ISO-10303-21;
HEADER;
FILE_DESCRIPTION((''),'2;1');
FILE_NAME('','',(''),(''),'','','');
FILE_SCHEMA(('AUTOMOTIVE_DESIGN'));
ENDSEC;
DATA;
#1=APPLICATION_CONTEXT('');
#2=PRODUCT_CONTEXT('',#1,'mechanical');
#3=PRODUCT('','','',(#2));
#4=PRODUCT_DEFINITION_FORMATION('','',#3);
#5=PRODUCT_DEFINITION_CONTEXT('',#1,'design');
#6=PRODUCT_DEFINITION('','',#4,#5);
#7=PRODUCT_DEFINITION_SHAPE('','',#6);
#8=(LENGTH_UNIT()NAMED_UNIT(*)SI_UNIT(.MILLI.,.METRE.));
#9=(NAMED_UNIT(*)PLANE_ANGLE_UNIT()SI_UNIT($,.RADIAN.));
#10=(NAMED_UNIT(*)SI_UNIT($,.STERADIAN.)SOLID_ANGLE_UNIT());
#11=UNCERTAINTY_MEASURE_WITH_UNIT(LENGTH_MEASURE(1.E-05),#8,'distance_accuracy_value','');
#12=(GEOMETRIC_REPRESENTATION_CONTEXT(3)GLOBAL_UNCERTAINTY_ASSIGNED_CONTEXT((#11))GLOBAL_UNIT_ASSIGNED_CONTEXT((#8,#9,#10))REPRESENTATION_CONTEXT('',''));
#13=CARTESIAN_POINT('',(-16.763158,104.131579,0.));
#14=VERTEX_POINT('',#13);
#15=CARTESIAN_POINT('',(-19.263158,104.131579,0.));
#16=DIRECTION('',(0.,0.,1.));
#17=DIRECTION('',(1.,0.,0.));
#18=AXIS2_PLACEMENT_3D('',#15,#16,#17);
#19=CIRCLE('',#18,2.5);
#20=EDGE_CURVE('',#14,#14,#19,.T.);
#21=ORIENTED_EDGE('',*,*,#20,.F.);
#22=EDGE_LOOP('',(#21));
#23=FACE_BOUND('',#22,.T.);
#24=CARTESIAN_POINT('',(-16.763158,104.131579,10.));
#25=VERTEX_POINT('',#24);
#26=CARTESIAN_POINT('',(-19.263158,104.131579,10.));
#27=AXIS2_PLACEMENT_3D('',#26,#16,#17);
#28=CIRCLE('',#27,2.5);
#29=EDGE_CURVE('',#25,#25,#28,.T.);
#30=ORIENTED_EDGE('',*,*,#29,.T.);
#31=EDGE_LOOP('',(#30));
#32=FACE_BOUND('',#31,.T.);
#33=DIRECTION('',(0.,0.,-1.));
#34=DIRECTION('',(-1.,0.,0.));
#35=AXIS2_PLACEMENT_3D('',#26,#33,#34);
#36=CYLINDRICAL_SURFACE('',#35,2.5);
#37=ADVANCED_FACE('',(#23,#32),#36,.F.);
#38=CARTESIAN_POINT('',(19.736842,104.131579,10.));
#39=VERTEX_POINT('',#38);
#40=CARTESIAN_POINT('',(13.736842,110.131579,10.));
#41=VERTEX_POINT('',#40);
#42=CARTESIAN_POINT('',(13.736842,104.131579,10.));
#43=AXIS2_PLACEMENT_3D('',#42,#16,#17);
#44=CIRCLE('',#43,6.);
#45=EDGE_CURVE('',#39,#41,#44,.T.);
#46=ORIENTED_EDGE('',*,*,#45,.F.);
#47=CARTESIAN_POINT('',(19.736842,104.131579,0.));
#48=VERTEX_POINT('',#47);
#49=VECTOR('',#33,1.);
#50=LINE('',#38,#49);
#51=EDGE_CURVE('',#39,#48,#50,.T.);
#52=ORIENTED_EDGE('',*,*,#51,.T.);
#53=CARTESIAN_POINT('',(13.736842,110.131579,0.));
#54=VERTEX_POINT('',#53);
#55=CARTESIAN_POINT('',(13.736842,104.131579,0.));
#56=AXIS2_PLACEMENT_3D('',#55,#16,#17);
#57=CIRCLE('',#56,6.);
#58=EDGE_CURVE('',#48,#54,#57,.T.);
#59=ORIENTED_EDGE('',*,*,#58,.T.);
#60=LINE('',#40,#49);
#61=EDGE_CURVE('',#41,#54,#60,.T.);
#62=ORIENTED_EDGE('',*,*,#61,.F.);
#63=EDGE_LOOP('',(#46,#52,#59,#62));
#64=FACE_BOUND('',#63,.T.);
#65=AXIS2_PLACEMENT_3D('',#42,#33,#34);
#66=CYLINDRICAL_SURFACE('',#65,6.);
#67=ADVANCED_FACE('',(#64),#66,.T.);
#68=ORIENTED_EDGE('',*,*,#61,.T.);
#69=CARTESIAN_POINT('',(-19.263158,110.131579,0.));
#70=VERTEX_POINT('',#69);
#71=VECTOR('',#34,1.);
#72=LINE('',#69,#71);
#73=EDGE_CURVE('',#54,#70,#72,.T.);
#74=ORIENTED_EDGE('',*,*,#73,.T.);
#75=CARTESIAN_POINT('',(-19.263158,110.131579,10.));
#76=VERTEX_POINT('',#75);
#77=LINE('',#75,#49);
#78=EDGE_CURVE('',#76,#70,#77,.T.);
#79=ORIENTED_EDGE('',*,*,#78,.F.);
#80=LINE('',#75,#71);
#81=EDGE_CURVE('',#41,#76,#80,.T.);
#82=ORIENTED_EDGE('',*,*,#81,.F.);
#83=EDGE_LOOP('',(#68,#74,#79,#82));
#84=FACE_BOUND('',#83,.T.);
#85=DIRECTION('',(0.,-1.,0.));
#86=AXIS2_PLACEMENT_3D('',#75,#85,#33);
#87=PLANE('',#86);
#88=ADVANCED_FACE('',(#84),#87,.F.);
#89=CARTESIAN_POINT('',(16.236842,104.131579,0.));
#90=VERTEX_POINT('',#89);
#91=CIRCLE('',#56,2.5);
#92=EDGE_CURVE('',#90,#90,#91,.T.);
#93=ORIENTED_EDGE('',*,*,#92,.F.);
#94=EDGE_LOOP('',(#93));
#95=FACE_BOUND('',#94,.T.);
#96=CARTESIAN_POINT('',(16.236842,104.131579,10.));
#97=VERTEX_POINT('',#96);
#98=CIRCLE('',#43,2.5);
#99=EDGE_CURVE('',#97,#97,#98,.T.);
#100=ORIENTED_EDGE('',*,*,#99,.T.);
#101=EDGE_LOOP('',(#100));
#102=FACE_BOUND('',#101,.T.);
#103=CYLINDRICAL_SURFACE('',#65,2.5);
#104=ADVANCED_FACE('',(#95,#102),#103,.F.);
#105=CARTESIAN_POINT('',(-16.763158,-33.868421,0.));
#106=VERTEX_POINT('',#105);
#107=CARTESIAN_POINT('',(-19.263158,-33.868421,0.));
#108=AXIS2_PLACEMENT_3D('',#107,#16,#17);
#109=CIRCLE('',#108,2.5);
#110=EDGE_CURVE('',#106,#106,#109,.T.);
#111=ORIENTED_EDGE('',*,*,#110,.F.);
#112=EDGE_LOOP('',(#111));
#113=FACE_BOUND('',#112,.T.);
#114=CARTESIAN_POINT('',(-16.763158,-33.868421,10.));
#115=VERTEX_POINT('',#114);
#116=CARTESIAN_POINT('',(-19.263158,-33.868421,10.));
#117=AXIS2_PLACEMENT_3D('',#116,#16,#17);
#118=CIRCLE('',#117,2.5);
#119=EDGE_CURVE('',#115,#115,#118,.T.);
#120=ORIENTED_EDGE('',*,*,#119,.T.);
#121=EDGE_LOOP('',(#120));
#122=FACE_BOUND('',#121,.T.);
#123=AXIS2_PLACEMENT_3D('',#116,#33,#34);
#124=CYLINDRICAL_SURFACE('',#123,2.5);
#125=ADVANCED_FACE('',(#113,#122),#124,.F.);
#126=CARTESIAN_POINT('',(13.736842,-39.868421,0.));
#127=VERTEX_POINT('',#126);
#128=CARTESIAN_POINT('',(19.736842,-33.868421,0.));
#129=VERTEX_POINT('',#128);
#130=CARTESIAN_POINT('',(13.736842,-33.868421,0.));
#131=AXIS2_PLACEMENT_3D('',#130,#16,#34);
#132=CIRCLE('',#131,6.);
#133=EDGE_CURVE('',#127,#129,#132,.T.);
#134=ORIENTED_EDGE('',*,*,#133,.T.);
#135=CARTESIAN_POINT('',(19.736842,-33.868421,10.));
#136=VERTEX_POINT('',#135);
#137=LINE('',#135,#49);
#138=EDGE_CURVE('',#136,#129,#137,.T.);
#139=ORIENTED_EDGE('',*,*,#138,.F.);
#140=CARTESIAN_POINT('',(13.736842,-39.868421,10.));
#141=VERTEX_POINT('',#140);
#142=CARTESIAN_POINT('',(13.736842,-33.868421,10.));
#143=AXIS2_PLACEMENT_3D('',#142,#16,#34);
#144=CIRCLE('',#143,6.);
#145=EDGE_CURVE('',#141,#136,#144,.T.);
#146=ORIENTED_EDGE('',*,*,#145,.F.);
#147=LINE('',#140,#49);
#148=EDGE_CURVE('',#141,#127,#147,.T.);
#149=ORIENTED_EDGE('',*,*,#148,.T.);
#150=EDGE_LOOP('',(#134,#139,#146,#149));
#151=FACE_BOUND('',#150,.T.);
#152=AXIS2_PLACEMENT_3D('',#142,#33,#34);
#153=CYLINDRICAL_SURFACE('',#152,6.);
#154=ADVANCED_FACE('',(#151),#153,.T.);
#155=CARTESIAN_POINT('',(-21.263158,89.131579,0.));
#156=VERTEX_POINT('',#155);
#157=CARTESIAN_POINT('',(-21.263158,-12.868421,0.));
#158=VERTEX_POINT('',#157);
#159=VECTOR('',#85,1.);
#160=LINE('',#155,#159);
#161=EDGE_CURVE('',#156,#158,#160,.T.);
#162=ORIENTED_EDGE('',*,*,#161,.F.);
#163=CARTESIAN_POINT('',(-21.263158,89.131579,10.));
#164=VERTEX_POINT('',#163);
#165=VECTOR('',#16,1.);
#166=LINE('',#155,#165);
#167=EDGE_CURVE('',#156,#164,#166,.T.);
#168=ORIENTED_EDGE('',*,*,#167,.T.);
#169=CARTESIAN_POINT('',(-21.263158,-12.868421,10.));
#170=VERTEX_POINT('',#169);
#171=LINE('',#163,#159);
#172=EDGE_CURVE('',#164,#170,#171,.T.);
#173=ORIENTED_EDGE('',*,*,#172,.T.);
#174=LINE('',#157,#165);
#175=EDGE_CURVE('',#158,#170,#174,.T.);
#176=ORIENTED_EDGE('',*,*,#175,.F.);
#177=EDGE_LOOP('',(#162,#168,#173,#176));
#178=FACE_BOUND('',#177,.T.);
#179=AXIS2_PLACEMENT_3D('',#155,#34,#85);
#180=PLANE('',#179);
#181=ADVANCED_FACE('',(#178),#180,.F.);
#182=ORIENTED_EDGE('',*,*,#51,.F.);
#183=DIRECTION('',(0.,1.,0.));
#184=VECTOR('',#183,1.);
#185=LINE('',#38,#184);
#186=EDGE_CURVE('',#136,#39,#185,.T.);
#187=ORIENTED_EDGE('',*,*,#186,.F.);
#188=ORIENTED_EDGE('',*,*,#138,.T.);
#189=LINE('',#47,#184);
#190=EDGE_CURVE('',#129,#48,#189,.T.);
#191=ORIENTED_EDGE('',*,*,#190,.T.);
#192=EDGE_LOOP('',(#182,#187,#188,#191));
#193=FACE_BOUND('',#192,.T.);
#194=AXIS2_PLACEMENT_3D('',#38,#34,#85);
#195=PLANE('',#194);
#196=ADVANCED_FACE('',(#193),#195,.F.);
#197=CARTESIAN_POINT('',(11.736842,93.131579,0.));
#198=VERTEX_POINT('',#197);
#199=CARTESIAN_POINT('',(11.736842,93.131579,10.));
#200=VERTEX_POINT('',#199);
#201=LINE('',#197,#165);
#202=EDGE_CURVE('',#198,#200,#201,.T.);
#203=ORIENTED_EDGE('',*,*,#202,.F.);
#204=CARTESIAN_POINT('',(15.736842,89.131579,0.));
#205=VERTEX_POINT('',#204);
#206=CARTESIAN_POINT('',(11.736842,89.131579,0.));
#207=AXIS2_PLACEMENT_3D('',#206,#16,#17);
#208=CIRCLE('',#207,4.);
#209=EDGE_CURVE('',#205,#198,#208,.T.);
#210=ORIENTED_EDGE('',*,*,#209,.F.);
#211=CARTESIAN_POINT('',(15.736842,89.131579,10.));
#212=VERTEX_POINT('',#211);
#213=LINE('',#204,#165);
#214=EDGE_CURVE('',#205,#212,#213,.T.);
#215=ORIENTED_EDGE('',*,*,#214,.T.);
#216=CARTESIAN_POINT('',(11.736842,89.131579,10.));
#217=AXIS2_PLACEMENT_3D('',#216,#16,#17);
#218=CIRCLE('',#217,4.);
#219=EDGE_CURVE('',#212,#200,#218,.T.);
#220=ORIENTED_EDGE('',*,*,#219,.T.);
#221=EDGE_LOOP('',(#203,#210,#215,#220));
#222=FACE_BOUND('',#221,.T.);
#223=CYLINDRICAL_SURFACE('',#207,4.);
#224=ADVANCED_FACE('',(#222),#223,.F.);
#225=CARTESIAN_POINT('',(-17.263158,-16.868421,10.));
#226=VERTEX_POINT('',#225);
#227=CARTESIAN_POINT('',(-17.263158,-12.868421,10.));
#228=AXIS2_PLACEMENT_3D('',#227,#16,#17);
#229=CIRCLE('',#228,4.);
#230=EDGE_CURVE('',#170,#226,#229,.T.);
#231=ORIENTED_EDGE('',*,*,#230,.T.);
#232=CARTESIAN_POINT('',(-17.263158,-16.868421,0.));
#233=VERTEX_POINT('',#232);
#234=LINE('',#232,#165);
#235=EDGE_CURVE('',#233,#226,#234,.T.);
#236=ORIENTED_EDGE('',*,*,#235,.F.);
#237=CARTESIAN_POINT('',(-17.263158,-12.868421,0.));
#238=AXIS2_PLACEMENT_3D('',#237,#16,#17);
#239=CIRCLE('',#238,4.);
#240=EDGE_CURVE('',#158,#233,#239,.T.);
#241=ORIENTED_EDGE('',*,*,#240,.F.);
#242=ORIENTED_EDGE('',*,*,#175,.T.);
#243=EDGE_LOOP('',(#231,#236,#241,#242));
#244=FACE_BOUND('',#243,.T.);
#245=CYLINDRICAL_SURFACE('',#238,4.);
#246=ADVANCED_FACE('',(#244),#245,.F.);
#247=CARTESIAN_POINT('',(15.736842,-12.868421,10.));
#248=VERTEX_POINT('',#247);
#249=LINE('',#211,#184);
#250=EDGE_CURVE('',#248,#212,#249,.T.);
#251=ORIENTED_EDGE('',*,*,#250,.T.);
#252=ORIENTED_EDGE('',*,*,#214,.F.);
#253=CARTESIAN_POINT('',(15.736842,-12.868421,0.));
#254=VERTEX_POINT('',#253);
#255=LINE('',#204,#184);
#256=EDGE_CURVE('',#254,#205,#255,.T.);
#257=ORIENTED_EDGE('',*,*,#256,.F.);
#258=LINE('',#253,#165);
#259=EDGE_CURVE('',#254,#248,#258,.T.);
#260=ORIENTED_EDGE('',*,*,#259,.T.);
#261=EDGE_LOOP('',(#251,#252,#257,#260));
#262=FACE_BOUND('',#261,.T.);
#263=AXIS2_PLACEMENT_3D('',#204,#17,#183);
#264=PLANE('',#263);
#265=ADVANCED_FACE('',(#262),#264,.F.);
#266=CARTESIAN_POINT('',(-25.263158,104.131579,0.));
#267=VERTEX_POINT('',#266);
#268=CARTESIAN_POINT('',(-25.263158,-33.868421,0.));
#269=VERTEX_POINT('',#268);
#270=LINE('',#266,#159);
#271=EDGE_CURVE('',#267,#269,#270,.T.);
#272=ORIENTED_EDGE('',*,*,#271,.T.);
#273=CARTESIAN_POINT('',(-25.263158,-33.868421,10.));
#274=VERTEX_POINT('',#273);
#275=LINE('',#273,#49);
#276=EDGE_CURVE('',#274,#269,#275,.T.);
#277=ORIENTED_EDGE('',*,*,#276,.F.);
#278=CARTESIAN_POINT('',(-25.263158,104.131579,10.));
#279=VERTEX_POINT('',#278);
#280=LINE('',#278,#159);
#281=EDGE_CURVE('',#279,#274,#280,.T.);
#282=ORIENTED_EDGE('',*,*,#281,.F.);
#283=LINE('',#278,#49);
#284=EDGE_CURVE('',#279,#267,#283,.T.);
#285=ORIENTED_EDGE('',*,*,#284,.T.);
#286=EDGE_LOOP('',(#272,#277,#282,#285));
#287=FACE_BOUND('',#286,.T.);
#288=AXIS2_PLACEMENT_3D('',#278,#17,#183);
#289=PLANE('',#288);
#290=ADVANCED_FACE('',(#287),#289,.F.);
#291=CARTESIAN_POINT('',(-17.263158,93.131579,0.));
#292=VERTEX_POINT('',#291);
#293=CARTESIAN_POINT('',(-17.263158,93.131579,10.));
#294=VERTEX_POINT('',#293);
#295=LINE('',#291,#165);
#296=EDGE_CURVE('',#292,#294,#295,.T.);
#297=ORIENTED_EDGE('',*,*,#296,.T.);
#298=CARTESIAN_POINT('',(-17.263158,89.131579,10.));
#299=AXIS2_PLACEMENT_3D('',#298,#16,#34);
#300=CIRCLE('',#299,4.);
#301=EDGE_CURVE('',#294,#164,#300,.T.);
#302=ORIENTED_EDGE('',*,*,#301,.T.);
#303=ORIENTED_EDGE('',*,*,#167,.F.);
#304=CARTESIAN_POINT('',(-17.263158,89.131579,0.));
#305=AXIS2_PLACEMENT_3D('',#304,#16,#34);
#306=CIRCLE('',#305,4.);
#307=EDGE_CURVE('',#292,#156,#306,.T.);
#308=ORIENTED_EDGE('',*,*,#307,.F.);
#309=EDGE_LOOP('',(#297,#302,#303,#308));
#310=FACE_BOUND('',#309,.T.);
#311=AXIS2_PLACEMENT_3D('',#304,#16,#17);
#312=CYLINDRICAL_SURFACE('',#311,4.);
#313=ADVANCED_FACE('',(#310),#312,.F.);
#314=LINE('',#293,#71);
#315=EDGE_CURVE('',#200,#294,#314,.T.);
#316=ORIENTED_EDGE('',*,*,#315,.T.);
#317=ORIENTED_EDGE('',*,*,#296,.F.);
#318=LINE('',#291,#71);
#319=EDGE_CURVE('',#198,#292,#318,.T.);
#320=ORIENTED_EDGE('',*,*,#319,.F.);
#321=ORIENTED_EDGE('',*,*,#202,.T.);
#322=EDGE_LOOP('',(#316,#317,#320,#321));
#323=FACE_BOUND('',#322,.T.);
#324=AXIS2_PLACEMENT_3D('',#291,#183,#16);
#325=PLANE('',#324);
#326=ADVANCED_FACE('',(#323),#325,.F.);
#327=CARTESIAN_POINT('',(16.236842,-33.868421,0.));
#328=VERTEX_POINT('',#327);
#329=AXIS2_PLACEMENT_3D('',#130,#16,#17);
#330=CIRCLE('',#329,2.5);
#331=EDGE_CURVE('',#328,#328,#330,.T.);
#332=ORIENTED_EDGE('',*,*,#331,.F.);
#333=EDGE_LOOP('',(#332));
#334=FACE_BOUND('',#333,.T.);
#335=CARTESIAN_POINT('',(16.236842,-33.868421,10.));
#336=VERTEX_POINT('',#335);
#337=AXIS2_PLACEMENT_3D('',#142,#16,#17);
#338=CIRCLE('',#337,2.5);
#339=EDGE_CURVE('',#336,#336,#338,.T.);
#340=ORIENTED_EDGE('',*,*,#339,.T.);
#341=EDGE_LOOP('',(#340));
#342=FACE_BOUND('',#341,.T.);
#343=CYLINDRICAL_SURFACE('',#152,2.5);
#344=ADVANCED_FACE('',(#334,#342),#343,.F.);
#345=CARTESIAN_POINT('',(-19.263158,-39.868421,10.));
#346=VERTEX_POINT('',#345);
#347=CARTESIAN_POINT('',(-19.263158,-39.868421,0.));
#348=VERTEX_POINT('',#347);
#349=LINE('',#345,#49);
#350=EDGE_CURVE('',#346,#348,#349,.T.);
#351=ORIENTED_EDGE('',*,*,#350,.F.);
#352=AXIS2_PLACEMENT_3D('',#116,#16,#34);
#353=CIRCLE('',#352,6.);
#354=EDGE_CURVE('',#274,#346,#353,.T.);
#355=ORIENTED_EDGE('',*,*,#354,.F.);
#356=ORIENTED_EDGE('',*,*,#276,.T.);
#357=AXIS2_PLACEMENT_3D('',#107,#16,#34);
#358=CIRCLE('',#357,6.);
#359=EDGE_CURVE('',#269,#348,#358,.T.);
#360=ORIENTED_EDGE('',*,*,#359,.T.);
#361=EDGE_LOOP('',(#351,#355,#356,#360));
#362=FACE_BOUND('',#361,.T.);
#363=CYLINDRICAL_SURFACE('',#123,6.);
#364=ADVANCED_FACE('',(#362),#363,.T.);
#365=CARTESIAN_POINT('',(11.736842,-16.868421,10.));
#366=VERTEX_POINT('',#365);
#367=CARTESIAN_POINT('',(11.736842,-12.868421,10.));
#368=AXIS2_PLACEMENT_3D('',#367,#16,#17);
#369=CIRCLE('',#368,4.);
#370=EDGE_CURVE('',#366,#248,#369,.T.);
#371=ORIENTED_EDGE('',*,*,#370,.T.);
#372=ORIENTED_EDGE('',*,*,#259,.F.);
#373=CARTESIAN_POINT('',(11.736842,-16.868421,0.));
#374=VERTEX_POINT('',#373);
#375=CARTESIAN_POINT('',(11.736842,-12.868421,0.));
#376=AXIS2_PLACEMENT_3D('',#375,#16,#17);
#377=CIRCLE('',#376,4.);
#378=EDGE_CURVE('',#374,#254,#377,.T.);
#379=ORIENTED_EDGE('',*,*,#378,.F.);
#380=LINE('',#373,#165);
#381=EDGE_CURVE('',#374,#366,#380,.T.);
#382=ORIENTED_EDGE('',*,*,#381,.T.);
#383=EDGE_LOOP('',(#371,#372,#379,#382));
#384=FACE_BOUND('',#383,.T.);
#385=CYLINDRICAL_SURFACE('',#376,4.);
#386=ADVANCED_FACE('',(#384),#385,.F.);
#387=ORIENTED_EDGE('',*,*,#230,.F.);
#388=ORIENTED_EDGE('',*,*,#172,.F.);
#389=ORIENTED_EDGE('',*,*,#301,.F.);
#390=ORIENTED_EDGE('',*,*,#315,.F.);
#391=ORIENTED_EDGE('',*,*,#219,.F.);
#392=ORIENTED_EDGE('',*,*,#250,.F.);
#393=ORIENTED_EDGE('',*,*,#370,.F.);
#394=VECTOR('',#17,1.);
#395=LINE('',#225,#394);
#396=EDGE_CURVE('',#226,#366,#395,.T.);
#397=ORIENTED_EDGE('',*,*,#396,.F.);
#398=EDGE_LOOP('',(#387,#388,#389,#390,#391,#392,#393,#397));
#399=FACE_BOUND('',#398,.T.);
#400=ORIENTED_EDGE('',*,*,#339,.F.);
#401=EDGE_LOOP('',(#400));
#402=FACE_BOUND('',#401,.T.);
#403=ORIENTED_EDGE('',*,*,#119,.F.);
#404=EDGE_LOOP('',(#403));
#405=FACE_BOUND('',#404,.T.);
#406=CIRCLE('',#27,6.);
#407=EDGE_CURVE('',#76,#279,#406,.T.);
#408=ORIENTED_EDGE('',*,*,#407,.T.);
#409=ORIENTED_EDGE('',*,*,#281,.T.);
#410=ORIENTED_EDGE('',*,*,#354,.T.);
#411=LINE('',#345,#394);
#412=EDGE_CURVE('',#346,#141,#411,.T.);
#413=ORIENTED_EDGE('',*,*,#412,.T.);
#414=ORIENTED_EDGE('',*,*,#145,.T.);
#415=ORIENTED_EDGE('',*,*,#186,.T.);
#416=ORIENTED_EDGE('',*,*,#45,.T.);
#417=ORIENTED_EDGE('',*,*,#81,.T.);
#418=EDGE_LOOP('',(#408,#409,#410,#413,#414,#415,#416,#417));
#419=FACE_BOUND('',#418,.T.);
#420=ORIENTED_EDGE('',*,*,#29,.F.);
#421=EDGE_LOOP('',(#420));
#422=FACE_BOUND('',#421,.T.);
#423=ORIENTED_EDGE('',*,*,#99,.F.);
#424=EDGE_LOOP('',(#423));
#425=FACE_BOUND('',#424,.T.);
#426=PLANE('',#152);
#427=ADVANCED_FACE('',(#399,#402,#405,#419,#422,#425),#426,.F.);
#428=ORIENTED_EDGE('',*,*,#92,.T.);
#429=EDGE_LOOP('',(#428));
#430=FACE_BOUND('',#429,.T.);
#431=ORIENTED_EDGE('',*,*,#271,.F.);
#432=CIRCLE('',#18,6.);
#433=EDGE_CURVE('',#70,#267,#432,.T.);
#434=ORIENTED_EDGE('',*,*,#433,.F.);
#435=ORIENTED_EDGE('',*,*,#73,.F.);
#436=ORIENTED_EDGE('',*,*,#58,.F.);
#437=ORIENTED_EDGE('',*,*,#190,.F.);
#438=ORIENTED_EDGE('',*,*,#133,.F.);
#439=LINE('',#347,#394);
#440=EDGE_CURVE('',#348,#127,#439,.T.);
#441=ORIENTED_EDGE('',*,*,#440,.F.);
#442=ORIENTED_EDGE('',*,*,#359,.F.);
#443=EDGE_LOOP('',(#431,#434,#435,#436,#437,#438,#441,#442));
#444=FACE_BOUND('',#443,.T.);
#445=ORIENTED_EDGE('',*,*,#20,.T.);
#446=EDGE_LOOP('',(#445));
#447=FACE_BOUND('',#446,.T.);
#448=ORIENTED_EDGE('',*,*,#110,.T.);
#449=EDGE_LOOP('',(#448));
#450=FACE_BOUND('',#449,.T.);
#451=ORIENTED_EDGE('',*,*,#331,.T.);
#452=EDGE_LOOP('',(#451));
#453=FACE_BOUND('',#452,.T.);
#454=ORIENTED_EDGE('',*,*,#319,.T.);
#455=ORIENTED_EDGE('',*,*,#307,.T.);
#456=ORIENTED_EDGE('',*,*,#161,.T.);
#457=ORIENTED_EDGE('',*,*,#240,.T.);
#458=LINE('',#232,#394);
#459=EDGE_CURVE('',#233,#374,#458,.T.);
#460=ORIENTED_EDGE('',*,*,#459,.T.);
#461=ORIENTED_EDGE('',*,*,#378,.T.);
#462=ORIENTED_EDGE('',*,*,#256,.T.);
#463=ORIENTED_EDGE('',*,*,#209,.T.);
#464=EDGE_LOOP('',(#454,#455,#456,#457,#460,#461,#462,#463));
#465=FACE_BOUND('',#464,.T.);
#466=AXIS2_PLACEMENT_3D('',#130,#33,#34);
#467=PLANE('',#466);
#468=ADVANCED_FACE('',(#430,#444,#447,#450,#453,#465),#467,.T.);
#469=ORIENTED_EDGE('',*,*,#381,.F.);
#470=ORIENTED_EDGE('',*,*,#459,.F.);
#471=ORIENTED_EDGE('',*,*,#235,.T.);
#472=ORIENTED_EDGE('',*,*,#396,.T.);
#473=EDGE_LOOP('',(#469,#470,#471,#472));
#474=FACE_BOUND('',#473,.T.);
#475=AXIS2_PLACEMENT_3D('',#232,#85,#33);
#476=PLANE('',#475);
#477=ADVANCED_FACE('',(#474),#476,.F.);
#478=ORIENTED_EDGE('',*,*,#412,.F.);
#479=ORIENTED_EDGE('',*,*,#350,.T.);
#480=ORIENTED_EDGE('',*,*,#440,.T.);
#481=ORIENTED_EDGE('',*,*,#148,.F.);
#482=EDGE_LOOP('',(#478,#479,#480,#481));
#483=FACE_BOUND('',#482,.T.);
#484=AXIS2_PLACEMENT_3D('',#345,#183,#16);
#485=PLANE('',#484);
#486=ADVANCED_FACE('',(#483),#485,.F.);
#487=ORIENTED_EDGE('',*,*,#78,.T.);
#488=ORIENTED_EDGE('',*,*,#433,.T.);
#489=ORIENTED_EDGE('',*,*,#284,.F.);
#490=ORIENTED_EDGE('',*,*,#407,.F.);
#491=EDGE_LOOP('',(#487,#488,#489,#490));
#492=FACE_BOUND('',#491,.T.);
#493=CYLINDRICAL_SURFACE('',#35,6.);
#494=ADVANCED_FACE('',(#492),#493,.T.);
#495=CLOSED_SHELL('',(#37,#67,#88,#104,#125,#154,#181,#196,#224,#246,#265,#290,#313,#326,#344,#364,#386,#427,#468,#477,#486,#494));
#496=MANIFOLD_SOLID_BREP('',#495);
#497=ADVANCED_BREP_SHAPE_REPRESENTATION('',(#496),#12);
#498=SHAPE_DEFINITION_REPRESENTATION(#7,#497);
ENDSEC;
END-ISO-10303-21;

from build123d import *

# Parameters (mm, degrees)
SKETCH1_R           = 2.5
BOSS_EXTRUDE1_DEPTH = 10
CUT_EXTRUDE1_DEPTH  = 10


with BuildPart() as part:
    # Sketch1 → Boss-Extrude1 (new body)
    with BuildSketch(Plane.XY):
        with BuildLine():
            Line((-19.263157895, 110.131578947), (13.736842105, 110.131578947))
            ThreePointArc((13.736842105, 110.131578947), (17.979482792, 108.374219634), (19.736842105, 104.131578947))
            Line((19.736842105, 104.131578947), (19.736842105, -33.868421053))
            ThreePointArc((19.736842105, -33.868421053), (17.979482792, -38.11106174), (13.736842105, -39.868421053))
            Line((13.736842105, -39.868421053), (-19.263157895, -39.868421053))
            ThreePointArc((-19.263157895, -39.868421053), (-23.505798582, -38.11106174), (-25.263157895, -33.868421053))
            Line((-25.263157895, -33.868421053), (-25.263157895, 104.131578947))
            ThreePointArc((-25.263157895, 104.131578947), (-23.505798582, 108.374219634), (-19.263157895, 110.131578947))
        make_face()
        with Locations((-19.263157895, 104.131578947)):
            Circle(SKETCH1_R, mode=Mode.SUBTRACT)
        with Locations((13.736842105, 104.131578947)):
            Circle(SKETCH1_R, mode=Mode.SUBTRACT)
        with Locations((-19.263157895, -33.868421053)):
            Circle(SKETCH1_R, mode=Mode.SUBTRACT)
        with Locations((13.736842105, -33.868421053)):
            Circle(SKETCH1_R, mode=Mode.SUBTRACT)
    extrude(amount=BOSS_EXTRUDE1_DEPTH)

    # Sketch2 → Cut-Extrude1 (cut)
    with BuildSketch(Plane.XY.offset(10)):
        with BuildLine():
            Line((-17.263157895, 93.131578947), (11.736842105, 93.131578947))
            ThreePointArc((11.736842105, 93.131578947), (14.56526923, 91.960006072), (15.736842105, 89.131578947))
            Line((15.736842105, 89.131578947), (15.736842105, -12.868421053))
            ThreePointArc((15.736842105, -12.868421053), (14.56526923, -15.696848177), (11.736842105, -16.868421053))
            Line((11.736842105, -16.868421053), (-17.263157895, -16.868421053))
            ThreePointArc((-17.263157895, -16.868421053), (-20.091585019, -15.696848177), (-21.263157895, -12.868421053))
            Line((-21.263157895, -12.868421053), (-21.263157895, 89.131578947))
            ThreePointArc((-21.263157895, 89.131578947), (-20.091585019, 91.960006072), (-17.263157895, 93.131578947))
        make_face()
    extrude(amount=-CUT_EXTRUDE1_DEPTH, mode=Mode.SUBTRACT)


solid = part.part
